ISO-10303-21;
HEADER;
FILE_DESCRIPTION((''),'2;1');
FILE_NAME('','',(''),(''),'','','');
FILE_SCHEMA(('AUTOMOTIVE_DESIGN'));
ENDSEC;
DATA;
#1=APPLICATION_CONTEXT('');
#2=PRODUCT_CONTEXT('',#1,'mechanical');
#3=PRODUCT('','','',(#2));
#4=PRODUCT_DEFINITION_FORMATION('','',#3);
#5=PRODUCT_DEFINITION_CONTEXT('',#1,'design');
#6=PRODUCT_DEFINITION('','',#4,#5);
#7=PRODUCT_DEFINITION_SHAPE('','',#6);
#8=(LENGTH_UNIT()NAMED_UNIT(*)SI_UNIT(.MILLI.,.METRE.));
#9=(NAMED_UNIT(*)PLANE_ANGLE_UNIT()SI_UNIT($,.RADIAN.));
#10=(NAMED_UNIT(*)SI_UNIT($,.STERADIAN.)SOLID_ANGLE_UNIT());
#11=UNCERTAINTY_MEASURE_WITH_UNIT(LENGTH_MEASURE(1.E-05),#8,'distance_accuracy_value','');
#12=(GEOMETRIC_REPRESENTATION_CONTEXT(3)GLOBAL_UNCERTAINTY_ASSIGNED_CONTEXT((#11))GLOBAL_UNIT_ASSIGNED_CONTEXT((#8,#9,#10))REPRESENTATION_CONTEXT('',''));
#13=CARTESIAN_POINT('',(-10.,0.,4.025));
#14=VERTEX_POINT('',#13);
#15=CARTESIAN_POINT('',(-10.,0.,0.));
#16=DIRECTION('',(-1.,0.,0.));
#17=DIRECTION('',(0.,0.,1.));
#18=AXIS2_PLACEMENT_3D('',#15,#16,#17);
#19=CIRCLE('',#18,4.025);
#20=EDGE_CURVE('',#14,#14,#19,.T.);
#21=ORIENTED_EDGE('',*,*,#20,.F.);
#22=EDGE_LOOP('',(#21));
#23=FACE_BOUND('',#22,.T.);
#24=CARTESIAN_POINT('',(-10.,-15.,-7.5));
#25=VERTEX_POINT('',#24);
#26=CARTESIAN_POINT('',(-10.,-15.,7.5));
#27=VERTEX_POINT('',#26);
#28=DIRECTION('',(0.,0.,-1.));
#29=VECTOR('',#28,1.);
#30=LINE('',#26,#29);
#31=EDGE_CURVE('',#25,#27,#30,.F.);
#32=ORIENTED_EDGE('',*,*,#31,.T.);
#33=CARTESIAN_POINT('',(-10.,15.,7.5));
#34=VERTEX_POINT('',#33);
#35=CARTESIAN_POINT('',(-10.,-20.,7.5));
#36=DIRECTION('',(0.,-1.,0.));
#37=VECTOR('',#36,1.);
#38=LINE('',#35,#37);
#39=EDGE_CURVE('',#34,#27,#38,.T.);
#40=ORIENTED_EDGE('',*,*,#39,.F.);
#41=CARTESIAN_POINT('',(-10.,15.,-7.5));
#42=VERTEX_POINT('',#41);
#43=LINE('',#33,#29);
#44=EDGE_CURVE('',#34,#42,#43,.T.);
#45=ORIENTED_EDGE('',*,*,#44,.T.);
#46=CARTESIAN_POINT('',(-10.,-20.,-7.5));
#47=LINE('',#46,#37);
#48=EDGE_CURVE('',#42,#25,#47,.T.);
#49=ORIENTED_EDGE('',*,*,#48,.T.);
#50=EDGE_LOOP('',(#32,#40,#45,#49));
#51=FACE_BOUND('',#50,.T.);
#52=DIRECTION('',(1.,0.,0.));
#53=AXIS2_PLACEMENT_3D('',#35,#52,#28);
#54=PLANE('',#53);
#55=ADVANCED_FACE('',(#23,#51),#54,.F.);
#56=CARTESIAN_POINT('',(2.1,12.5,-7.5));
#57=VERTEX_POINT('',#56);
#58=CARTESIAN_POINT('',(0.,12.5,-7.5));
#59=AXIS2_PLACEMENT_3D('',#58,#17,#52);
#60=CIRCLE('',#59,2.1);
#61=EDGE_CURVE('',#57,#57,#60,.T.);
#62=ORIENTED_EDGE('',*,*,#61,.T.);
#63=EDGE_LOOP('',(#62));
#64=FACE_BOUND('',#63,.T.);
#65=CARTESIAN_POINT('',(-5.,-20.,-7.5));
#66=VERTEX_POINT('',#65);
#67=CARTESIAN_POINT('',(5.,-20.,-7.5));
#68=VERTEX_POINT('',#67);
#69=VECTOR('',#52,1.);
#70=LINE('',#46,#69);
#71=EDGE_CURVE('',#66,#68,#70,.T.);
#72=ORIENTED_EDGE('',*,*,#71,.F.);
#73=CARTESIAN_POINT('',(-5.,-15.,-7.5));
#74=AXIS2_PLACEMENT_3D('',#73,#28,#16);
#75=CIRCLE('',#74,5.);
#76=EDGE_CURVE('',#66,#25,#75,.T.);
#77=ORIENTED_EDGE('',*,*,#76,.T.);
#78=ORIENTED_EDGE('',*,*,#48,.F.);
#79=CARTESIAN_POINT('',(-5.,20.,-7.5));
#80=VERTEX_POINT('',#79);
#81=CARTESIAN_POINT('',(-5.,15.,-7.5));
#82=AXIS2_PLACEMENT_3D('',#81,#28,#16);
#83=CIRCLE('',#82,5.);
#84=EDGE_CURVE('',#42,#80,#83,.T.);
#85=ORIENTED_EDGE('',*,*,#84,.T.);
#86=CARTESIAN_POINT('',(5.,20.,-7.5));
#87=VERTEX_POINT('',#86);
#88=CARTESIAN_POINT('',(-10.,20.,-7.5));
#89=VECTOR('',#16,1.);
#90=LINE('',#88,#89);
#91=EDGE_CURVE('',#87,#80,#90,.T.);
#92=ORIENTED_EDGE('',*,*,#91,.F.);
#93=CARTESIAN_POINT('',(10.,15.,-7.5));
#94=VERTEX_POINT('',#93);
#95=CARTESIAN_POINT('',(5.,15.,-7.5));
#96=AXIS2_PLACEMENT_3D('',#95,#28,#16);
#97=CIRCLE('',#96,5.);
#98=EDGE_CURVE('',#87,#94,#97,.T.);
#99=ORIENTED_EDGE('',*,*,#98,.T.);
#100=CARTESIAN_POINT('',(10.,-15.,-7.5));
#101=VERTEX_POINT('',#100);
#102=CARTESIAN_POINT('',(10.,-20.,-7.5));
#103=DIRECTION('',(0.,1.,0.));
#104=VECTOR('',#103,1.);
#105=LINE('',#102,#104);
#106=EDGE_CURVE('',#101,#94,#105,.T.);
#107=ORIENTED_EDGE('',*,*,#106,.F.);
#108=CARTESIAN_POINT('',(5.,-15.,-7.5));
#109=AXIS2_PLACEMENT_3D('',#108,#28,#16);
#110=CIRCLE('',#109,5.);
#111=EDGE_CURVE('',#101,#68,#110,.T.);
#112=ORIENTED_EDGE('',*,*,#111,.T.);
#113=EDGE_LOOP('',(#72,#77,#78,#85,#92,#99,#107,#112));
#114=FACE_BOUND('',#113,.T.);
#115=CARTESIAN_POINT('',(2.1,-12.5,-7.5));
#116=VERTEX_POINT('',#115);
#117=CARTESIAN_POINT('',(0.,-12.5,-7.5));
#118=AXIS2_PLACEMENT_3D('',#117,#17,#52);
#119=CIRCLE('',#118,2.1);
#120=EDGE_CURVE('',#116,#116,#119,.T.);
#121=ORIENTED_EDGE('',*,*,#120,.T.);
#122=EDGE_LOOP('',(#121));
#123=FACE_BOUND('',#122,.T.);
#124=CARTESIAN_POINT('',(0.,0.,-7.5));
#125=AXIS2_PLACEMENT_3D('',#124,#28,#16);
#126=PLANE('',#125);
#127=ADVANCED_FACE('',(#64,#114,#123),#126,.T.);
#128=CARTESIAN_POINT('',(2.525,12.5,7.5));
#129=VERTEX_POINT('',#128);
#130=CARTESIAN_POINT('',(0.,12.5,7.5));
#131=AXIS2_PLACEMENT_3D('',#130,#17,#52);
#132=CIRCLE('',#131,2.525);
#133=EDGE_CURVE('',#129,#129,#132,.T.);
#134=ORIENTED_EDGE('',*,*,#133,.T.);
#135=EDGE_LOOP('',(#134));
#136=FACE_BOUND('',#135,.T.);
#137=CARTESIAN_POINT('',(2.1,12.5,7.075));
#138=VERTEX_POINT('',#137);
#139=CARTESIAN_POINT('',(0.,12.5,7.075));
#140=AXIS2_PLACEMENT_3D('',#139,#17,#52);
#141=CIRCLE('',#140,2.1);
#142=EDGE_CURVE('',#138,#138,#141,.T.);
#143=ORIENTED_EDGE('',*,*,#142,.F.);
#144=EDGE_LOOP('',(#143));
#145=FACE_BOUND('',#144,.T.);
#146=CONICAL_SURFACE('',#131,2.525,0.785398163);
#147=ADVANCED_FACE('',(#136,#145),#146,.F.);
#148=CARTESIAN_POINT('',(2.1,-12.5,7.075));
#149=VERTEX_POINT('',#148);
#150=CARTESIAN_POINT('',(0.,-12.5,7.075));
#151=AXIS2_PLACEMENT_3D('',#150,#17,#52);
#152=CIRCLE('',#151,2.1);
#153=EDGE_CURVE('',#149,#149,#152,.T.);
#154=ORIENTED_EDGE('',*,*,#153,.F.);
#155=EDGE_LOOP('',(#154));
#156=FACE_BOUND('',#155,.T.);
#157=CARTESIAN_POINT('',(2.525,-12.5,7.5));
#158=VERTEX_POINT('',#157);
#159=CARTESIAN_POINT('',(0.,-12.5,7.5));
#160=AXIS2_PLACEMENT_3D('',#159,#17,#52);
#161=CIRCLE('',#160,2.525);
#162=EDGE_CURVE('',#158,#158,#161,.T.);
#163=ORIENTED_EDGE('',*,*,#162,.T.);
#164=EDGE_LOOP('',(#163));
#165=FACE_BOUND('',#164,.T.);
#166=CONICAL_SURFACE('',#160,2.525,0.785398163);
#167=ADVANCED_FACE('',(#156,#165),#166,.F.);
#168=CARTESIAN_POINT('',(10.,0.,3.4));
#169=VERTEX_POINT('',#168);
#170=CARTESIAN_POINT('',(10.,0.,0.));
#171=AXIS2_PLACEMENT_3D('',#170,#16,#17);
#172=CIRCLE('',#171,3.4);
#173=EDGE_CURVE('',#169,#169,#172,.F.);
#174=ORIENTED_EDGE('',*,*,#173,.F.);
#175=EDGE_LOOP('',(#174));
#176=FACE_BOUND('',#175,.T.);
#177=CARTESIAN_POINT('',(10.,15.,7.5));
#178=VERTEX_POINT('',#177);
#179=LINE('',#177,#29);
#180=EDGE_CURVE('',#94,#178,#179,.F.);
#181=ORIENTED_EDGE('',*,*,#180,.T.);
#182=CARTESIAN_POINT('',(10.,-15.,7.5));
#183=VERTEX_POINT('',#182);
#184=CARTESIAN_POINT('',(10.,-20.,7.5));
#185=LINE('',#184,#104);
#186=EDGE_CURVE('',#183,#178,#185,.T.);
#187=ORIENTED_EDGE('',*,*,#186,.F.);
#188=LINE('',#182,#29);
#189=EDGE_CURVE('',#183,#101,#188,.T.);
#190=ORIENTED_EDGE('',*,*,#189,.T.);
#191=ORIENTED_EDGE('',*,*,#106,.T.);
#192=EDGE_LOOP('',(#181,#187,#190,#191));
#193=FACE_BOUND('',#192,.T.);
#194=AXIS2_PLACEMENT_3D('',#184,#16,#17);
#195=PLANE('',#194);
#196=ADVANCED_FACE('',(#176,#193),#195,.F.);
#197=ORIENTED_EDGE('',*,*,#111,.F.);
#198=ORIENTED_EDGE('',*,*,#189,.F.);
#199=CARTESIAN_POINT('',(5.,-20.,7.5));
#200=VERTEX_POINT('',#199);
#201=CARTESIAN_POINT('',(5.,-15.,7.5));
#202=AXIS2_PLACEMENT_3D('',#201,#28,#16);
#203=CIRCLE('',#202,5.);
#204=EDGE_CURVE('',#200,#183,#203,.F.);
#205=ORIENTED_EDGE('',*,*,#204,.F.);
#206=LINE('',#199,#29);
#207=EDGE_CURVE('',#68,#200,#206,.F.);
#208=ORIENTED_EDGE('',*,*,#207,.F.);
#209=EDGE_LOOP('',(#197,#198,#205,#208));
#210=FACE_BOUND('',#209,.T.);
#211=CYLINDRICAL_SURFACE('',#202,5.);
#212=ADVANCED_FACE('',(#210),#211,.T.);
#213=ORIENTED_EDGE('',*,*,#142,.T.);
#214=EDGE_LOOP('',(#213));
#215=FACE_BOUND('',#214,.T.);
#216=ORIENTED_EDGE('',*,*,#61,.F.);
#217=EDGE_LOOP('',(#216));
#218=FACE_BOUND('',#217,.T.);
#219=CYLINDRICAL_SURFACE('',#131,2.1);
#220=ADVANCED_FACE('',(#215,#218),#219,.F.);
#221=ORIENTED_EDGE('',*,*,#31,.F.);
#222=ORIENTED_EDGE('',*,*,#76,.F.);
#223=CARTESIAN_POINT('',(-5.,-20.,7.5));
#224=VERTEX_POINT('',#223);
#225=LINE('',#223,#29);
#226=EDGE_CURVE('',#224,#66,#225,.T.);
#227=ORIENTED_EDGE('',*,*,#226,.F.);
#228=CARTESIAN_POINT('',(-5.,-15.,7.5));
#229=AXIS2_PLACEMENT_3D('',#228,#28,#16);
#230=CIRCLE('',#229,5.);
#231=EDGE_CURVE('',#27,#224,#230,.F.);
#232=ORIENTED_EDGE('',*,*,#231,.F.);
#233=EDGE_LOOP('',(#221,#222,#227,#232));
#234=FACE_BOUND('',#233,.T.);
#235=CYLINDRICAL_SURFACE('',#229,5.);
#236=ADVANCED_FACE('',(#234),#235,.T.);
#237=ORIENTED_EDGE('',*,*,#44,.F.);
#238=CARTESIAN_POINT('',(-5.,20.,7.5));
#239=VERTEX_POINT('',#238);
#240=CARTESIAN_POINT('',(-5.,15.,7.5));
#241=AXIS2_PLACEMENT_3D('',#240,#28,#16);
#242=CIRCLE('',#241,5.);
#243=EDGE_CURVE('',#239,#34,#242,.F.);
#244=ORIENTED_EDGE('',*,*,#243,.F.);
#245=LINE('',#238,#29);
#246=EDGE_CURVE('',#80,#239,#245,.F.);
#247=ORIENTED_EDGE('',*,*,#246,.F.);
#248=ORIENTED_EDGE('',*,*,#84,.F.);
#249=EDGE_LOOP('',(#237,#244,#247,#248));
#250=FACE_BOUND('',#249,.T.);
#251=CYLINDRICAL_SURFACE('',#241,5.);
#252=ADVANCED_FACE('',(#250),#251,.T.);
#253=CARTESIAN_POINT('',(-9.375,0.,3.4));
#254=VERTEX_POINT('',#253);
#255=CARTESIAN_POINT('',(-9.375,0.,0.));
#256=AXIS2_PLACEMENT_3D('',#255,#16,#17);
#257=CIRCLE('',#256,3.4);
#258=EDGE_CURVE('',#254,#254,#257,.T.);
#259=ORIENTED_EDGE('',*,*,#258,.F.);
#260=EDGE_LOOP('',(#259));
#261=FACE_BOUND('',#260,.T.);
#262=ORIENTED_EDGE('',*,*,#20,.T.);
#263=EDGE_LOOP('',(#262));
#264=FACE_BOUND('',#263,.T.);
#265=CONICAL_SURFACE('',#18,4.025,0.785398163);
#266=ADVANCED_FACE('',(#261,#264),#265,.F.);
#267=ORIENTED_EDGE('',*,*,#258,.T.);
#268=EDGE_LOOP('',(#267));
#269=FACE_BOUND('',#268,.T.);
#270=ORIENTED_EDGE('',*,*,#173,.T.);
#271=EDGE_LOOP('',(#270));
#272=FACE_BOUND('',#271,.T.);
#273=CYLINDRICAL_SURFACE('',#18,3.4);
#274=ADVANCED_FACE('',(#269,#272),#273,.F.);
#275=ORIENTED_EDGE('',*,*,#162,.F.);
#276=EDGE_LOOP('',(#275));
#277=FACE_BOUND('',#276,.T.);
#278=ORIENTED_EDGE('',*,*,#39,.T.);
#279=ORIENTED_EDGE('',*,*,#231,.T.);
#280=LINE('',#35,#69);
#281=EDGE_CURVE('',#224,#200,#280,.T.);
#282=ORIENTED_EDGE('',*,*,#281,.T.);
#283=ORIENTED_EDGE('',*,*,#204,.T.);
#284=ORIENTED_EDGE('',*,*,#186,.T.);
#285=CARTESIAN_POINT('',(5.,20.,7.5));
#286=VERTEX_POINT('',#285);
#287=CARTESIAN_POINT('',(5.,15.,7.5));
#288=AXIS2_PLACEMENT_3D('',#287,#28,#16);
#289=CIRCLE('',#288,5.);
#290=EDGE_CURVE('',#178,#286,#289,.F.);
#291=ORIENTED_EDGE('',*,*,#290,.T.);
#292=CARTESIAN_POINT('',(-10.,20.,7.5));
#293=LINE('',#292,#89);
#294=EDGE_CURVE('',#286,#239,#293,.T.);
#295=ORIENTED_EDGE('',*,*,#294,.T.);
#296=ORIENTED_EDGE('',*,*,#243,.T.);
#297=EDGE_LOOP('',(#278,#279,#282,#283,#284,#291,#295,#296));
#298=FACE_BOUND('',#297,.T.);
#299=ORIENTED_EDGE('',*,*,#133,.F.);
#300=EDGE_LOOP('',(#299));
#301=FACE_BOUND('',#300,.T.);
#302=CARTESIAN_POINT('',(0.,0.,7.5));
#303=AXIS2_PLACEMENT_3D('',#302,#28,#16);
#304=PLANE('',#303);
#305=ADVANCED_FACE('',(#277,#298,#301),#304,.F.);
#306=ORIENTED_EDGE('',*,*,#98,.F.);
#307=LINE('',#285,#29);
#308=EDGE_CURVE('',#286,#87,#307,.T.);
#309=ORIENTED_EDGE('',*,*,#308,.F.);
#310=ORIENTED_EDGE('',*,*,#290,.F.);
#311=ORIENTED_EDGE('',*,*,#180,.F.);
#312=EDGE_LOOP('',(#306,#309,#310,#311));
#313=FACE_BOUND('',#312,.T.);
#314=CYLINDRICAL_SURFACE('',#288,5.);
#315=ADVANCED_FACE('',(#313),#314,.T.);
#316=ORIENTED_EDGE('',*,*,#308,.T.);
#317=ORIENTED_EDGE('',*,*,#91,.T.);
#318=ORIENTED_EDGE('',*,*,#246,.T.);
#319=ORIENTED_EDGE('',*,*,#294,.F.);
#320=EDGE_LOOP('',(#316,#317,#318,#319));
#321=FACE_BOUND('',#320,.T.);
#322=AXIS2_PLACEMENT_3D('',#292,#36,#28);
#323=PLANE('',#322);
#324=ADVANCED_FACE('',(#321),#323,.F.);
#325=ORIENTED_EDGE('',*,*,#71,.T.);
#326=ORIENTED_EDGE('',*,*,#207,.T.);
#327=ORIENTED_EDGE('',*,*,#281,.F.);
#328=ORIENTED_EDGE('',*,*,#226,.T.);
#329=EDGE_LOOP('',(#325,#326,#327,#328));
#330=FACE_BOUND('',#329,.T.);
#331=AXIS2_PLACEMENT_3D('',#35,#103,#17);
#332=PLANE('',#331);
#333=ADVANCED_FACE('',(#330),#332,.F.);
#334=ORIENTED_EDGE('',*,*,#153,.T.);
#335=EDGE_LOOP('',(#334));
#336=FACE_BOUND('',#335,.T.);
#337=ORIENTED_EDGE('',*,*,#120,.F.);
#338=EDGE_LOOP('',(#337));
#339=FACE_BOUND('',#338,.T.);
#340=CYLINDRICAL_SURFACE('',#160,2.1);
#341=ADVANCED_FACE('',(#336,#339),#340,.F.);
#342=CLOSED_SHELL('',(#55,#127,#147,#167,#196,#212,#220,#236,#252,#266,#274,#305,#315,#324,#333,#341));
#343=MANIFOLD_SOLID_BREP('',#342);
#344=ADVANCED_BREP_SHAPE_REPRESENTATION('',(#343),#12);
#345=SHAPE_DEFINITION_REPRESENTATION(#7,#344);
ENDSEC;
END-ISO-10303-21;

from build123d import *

# Parameters (mm, degrees)
SKETCH1_W                   = 20
SKETCH1_H                   = 40
BOSS_EXTRUDE1_DEPTH         = 7.5
FILLET1_R                   = 5
M5_TAPPED_HOLE1_D           = 4.2
M5_TAPPED_HOLE1_CSINK_D     = 5.05
M5_TAPPED_HOLE1_CSINK_ANGLE = 90
M8_TAPPED_HOLE1_D           = 6.8
M8_TAPPED_HOLE1_DEPTH       = 20
M8_TAPPED_HOLE1_CSINK_D     = 8.05
M8_TAPPED_HOLE1_CSINK_ANGLE = 90
M8_TAPPED_HOLE1_TIP         = 2.042926105


with BuildPart() as part:
    # Sketch1 → Boss-Extrude1 (new, symmetric)
    with BuildSketch(Plane.XY):
        Rectangle(SKETCH1_W, SKETCH1_H)
    extrude(amount=BOSS_EXTRUDE1_DEPTH, both=True)

    # Fillet1
    fillet1_edges = [part.edges().sort_by_distance(p)[0] for p in [
        (10, -20, 0),
        (-10, -20, 0),
        (-10, 20, 0),
        (10, 20, 0),
    ]]
    fillet(fillet1_edges, radius=FILLET1_R)

    # M5 Tapped Hole1 (through all)
    with Locations(Plane.XY.offset(7.5)):
        with Locations((0, 12.5), (0, -12.5)):
            CounterSinkHole(M5_TAPPED_HOLE1_D / 2, M5_TAPPED_HOLE1_CSINK_D / 2, counter_sink_angle=M5_TAPPED_HOLE1_CSINK_ANGLE)

    # M8 Tapped Hole1
    with Locations(Plane.ZY.offset(10)):
        with Locations((0, 0)):
            CounterSinkHole(M8_TAPPED_HOLE1_D / 2, M8_TAPPED_HOLE1_CSINK_D / 2, depth=M8_TAPPED_HOLE1_DEPTH, counter_sink_angle=M8_TAPPED_HOLE1_CSINK_ANGLE)
            with Locations((0, 0, -(M8_TAPPED_HOLE1_DEPTH + M8_TAPPED_HOLE1_TIP / 2))):  # 118° drill point
                Cone(0, M8_TAPPED_HOLE1_D / 2, M8_TAPPED_HOLE1_TIP, mode=Mode.SUBTRACT)


solid = part.part
